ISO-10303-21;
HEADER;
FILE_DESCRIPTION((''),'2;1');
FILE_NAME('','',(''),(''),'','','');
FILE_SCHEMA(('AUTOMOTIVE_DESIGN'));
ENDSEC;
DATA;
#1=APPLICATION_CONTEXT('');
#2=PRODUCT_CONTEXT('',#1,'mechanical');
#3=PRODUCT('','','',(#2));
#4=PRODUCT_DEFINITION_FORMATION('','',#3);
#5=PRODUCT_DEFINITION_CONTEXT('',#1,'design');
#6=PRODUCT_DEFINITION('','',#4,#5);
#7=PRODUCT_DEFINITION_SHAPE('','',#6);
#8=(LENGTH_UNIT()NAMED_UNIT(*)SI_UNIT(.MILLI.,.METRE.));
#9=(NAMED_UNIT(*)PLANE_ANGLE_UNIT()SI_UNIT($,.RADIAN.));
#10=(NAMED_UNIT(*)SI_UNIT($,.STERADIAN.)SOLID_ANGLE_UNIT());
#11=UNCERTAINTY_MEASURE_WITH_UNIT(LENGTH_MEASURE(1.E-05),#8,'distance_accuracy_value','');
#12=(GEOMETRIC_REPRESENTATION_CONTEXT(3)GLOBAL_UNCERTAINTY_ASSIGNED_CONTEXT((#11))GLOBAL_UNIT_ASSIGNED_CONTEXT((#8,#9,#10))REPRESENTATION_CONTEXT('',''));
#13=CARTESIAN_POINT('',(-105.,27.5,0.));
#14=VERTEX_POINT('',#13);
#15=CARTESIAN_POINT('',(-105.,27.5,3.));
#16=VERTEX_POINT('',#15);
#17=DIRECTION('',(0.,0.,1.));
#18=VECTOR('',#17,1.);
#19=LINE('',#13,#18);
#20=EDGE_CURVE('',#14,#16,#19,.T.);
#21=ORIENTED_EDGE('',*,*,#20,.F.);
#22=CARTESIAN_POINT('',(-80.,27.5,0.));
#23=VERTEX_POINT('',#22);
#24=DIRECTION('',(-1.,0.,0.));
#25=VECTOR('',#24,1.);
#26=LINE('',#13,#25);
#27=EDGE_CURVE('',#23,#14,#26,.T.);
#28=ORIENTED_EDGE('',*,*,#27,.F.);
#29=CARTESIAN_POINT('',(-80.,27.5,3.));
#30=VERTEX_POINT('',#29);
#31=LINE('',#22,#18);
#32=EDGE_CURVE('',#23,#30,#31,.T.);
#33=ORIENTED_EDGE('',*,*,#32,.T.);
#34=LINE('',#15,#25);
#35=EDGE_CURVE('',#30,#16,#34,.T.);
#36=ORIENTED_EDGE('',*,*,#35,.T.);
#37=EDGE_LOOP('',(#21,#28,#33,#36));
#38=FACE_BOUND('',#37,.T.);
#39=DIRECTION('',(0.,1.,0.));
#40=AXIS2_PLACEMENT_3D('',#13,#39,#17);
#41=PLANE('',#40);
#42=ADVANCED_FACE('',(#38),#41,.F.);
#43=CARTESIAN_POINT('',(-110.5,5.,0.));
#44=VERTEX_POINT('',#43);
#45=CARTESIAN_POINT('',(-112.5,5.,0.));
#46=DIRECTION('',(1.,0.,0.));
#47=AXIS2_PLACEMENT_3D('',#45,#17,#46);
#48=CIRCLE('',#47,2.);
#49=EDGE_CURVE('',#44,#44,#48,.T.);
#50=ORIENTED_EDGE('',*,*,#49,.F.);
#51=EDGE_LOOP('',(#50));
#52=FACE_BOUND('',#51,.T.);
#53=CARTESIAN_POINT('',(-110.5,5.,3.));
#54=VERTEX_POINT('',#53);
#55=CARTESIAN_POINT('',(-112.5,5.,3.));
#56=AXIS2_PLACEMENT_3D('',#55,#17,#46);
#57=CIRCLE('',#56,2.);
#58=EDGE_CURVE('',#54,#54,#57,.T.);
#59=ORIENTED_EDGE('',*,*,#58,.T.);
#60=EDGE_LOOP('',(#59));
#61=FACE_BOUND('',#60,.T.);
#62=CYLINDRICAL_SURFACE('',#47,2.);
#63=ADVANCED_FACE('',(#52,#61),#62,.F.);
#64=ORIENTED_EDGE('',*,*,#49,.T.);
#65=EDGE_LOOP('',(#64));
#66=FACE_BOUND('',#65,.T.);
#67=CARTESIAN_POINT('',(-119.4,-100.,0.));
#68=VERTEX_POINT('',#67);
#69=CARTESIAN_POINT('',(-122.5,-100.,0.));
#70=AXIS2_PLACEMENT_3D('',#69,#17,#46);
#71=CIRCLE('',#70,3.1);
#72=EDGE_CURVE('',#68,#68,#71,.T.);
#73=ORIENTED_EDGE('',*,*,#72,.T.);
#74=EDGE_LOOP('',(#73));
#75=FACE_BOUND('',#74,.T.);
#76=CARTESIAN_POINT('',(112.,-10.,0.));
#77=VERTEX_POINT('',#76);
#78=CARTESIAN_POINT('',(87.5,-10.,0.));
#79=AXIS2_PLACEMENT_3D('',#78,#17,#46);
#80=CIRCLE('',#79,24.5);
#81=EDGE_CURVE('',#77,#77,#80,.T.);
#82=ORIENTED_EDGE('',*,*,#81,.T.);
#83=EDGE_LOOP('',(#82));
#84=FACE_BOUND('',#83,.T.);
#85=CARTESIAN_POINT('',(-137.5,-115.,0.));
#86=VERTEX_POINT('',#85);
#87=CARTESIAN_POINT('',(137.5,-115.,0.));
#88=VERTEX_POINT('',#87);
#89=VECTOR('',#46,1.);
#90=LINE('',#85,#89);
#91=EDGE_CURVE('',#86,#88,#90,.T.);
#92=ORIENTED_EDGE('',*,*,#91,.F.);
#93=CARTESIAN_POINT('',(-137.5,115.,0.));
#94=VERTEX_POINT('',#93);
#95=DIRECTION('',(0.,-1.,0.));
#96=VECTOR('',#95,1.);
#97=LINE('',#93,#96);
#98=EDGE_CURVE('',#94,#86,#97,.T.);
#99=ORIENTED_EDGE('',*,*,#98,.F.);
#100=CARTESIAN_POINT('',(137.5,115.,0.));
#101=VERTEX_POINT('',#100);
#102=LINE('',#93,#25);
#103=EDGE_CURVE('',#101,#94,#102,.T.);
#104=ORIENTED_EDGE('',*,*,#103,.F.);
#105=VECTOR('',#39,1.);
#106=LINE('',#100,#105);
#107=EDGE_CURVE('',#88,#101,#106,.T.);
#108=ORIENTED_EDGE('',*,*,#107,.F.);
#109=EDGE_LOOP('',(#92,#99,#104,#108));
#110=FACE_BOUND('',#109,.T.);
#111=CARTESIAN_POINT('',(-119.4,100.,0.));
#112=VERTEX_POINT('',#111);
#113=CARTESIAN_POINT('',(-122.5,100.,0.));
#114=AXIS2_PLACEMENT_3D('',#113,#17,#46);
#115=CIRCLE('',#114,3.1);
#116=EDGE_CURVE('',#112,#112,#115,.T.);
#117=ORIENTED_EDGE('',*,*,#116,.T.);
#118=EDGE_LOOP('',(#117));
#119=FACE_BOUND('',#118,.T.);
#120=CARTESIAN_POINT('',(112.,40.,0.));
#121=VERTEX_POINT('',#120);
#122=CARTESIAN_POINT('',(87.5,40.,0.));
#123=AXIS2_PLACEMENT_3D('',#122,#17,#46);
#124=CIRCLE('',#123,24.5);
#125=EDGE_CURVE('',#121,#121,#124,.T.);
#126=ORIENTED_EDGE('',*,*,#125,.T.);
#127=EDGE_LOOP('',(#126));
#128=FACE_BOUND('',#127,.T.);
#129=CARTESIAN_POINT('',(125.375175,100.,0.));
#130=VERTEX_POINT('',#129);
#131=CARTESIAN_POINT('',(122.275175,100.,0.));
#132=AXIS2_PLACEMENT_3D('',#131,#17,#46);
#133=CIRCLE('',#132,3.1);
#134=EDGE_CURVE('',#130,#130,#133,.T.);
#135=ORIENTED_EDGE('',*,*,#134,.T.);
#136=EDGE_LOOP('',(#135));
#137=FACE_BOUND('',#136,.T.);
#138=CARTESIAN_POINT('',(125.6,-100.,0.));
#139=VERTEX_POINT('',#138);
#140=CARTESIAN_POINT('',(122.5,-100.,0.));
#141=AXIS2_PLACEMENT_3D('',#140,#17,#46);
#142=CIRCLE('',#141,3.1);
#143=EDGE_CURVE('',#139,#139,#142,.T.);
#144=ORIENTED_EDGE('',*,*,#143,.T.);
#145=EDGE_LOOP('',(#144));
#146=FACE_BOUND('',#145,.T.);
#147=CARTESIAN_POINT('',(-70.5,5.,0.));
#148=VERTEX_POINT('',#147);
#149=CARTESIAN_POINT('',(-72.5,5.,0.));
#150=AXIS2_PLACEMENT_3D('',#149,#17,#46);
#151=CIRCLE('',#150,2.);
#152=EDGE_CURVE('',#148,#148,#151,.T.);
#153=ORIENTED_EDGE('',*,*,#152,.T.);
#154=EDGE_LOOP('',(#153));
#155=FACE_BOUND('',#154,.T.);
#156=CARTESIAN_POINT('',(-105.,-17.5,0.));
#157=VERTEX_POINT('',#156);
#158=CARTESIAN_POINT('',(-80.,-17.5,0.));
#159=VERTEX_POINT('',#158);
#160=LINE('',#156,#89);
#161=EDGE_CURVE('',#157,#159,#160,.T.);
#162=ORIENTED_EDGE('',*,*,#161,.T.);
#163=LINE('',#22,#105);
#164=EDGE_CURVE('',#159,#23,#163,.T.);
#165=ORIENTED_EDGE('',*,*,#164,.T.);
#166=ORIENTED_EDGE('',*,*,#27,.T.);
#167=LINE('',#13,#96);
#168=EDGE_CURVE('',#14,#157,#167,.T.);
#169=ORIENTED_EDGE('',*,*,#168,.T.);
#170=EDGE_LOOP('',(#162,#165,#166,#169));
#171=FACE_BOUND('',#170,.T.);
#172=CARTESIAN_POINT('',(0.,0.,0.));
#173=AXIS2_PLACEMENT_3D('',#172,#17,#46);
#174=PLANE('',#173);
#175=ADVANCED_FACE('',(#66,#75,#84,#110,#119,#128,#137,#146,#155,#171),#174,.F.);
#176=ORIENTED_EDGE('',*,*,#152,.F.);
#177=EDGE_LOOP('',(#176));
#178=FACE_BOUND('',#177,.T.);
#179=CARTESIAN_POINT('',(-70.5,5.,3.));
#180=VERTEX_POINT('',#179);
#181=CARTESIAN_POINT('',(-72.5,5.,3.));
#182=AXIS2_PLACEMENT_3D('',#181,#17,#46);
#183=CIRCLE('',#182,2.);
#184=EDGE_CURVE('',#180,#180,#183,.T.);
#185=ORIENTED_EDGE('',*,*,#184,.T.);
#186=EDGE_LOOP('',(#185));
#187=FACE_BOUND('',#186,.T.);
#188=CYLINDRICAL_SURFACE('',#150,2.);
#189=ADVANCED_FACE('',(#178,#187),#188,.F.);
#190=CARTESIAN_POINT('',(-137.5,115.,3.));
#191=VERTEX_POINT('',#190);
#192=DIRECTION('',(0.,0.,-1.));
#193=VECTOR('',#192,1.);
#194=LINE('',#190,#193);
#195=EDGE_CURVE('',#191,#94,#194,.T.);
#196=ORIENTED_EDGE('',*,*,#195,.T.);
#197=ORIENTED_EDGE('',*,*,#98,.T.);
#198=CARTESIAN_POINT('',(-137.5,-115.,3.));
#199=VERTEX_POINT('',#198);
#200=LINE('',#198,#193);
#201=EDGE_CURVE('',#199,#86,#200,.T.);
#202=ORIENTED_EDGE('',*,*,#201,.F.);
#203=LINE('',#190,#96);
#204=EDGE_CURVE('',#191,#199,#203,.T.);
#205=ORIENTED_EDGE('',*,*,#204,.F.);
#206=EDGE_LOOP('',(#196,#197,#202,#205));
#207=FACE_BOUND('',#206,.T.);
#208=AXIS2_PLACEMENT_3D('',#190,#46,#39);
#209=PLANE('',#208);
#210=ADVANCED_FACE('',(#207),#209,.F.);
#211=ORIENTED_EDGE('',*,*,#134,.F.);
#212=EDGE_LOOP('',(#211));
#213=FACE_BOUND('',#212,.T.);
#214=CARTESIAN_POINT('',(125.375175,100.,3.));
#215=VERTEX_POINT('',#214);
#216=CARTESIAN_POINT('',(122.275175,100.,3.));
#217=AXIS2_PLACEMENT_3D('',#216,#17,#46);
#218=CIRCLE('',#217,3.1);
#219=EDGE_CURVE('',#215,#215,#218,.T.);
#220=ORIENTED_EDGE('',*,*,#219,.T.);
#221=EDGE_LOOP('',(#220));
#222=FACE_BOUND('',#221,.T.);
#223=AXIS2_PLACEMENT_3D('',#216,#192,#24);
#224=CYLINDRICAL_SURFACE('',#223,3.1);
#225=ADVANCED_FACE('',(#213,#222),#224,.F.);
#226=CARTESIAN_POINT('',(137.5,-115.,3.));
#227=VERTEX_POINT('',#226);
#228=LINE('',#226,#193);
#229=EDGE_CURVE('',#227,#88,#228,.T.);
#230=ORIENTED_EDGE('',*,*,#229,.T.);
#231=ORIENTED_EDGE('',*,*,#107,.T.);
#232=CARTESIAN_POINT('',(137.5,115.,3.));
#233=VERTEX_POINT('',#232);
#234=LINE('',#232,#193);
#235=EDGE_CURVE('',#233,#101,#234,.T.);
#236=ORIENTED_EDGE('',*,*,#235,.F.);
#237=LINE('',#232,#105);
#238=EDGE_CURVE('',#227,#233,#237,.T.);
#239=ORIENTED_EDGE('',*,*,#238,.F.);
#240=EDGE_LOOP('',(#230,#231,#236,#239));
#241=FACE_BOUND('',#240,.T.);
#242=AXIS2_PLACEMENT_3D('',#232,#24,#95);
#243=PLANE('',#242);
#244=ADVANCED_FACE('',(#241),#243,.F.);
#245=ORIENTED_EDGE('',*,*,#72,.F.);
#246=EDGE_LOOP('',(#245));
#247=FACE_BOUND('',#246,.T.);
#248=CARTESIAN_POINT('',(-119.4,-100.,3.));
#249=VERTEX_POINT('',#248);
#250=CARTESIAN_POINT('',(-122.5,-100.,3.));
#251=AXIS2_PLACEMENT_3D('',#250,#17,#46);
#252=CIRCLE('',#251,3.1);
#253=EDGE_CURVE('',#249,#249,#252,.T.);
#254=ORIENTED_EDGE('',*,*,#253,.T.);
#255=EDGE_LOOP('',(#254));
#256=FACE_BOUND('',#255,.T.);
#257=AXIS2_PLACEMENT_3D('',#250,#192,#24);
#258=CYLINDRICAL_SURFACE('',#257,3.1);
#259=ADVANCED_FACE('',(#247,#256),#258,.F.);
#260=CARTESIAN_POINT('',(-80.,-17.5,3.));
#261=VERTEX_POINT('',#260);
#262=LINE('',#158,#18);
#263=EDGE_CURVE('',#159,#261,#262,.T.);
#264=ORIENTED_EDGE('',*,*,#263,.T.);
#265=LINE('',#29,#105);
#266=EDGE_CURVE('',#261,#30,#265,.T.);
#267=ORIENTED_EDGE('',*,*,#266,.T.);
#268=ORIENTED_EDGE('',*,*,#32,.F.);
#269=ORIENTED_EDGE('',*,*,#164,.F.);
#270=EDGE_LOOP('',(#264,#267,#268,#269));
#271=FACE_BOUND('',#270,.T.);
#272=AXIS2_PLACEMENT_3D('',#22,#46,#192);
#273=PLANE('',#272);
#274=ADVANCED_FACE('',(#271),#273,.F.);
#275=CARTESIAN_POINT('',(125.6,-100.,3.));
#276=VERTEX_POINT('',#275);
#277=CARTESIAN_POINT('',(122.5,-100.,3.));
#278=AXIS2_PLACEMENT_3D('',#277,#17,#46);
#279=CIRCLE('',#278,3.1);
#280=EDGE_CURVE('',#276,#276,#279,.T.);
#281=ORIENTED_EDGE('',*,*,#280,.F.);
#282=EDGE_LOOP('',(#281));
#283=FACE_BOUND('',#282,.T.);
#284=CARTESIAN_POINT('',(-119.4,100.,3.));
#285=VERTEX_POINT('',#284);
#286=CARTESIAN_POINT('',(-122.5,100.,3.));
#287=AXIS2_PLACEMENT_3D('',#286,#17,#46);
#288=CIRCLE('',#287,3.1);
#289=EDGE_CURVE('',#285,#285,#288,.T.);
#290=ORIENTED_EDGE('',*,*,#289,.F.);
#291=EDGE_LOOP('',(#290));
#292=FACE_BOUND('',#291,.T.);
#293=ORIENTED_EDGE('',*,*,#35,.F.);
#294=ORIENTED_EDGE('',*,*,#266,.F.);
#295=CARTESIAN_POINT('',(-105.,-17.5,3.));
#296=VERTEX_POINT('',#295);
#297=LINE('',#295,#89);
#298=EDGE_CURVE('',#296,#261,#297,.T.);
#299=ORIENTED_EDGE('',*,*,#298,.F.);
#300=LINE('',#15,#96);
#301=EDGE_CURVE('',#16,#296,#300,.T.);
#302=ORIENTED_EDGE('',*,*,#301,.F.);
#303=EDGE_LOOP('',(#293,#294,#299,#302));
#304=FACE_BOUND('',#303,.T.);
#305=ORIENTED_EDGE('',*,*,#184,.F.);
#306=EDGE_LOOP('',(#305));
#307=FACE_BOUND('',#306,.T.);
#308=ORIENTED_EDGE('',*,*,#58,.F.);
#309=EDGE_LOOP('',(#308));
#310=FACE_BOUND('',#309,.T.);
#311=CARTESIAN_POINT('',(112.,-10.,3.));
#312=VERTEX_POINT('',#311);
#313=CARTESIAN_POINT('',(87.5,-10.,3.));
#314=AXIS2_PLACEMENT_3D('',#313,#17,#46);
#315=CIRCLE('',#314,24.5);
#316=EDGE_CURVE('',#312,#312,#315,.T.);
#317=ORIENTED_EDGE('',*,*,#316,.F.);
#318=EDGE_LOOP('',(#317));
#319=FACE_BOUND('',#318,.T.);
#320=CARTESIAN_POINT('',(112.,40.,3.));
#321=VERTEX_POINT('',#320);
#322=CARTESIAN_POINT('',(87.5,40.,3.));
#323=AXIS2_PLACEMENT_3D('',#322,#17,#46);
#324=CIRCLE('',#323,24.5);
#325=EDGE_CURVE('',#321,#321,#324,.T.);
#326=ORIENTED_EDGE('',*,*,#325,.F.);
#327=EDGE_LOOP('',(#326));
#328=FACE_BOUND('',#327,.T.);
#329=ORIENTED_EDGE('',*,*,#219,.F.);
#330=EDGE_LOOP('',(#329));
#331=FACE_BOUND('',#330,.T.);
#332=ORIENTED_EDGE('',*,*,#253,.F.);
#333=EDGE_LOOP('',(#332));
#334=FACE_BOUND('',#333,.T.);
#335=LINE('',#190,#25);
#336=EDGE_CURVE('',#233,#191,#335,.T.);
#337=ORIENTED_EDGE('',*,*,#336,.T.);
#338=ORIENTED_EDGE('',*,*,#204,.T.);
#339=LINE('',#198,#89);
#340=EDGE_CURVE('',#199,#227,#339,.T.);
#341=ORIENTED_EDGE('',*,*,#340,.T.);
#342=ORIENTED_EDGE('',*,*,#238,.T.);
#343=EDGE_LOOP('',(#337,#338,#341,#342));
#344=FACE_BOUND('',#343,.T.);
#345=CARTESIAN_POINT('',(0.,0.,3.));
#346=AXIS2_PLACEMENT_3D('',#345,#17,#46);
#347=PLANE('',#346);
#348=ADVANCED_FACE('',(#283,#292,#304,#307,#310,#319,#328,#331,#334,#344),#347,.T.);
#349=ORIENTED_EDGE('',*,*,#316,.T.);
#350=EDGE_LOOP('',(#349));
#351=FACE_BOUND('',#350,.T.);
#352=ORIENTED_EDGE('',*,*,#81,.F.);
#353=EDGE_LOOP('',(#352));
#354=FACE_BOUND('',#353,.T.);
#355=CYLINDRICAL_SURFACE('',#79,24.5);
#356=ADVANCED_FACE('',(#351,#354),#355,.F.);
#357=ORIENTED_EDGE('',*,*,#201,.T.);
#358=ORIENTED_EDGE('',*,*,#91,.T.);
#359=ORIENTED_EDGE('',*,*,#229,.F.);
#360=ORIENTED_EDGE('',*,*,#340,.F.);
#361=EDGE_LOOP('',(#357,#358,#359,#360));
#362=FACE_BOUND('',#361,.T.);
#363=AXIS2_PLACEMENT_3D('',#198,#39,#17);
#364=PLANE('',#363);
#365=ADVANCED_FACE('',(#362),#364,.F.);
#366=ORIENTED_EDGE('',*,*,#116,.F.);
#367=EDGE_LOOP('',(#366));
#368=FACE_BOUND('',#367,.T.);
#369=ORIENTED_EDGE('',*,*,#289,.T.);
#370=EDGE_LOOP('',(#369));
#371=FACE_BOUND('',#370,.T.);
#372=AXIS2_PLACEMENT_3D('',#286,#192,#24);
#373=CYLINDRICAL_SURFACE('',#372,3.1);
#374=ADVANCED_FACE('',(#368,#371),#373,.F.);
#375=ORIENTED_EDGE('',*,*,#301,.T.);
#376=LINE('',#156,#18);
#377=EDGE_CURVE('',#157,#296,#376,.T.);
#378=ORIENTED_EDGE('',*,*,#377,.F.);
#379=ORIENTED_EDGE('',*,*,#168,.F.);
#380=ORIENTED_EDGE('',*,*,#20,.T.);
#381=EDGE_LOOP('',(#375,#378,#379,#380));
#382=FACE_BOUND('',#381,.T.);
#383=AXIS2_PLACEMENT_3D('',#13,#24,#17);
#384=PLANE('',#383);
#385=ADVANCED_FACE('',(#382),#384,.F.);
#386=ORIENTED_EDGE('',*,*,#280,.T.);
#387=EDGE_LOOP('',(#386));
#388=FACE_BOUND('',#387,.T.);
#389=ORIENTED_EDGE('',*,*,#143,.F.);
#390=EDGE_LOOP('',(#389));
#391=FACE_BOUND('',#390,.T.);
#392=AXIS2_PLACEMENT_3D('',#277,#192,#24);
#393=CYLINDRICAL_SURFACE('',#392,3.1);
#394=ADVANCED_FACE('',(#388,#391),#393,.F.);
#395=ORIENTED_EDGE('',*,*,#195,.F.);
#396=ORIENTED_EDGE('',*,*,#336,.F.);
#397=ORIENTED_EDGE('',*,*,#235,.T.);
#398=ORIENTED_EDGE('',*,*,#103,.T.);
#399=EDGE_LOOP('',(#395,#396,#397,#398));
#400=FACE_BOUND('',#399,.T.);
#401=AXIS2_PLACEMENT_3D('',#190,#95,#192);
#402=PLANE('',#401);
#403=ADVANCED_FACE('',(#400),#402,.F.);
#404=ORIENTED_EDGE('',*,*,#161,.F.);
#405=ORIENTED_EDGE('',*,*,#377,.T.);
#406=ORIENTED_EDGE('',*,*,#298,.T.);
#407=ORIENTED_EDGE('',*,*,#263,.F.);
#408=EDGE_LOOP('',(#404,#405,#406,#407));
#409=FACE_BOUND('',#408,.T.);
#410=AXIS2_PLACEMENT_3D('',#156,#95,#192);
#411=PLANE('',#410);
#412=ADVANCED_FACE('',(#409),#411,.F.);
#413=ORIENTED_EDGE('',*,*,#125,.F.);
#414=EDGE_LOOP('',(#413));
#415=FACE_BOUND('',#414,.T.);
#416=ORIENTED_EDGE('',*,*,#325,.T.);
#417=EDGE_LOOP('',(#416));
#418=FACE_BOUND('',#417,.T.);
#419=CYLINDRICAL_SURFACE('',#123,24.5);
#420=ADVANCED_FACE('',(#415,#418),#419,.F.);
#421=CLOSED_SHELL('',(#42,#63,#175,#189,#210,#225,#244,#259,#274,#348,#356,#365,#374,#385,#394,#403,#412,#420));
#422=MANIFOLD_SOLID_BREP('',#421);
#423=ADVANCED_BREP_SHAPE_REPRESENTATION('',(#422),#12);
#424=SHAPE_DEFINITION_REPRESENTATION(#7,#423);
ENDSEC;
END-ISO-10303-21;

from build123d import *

# Parameters (mm, degrees)
CROQUIS1_W              = 275
CROQUIS1_H              = 230
CROQUIS1_R              = 3.1
SALIENTE_EXTRUIR1_DEPTH = 3
CROQUIS2_R              = 24.5
CORTAR_EXTRUIR1_DEPTH   = 4
CROQUIS3_R              = 2
CROQUIS3_W              = 25
CROQUIS3_H              = 45
CORTAR_EXTRUIR2_DEPTH   = 4


with BuildPart() as part:
    # Croquis1 → Saliente-Extruir1 (new body)
    with BuildSketch(Plane.XY):
        Rectangle(CROQUIS1_W, CROQUIS1_H)
        with Locations((-122.5, 100)):
            Circle(CROQUIS1_R, mode=Mode.SUBTRACT)
        with Locations((122.275174875, 100)):
            Circle(CROQUIS1_R, mode=Mode.SUBTRACT)
        with Locations((-122.5, -100)):
            Circle(CROQUIS1_R, mode=Mode.SUBTRACT)
        with Locations((122.5, -100)):
            Circle(CROQUIS1_R, mode=Mode.SUBTRACT)
    extrude(amount=SALIENTE_EXTRUIR1_DEPTH)

    # Croquis2 → Cortar-Extruir1 (cut, through all)
    with BuildSketch(Plane.XY.offset(3)):
        with Locations((87.5, 40)):
            Circle(CROQUIS2_R)
        with Locations((87.5, -10)):
            Circle(CROQUIS2_R)
    extrude(amount=-CORTAR_EXTRUIR1_DEPTH, mode=Mode.SUBTRACT)

    # Croquis3 → Cortar-Extruir2 (cut, through all)
    with BuildSketch(Plane.XY.offset(3)):
        with Locations((-112.5, 5)):
            Circle(CROQUIS3_R)
        with Locations((-72.5, 5)):
            Circle(CROQUIS3_R)
        with Locations((-92.5, 5)):
            Rectangle(CROQUIS3_W, CROQUIS3_H)
    extrude(amount=-CORTAR_EXTRUIR2_DEPTH, mode=Mode.SUBTRACT)


solid = part.part
